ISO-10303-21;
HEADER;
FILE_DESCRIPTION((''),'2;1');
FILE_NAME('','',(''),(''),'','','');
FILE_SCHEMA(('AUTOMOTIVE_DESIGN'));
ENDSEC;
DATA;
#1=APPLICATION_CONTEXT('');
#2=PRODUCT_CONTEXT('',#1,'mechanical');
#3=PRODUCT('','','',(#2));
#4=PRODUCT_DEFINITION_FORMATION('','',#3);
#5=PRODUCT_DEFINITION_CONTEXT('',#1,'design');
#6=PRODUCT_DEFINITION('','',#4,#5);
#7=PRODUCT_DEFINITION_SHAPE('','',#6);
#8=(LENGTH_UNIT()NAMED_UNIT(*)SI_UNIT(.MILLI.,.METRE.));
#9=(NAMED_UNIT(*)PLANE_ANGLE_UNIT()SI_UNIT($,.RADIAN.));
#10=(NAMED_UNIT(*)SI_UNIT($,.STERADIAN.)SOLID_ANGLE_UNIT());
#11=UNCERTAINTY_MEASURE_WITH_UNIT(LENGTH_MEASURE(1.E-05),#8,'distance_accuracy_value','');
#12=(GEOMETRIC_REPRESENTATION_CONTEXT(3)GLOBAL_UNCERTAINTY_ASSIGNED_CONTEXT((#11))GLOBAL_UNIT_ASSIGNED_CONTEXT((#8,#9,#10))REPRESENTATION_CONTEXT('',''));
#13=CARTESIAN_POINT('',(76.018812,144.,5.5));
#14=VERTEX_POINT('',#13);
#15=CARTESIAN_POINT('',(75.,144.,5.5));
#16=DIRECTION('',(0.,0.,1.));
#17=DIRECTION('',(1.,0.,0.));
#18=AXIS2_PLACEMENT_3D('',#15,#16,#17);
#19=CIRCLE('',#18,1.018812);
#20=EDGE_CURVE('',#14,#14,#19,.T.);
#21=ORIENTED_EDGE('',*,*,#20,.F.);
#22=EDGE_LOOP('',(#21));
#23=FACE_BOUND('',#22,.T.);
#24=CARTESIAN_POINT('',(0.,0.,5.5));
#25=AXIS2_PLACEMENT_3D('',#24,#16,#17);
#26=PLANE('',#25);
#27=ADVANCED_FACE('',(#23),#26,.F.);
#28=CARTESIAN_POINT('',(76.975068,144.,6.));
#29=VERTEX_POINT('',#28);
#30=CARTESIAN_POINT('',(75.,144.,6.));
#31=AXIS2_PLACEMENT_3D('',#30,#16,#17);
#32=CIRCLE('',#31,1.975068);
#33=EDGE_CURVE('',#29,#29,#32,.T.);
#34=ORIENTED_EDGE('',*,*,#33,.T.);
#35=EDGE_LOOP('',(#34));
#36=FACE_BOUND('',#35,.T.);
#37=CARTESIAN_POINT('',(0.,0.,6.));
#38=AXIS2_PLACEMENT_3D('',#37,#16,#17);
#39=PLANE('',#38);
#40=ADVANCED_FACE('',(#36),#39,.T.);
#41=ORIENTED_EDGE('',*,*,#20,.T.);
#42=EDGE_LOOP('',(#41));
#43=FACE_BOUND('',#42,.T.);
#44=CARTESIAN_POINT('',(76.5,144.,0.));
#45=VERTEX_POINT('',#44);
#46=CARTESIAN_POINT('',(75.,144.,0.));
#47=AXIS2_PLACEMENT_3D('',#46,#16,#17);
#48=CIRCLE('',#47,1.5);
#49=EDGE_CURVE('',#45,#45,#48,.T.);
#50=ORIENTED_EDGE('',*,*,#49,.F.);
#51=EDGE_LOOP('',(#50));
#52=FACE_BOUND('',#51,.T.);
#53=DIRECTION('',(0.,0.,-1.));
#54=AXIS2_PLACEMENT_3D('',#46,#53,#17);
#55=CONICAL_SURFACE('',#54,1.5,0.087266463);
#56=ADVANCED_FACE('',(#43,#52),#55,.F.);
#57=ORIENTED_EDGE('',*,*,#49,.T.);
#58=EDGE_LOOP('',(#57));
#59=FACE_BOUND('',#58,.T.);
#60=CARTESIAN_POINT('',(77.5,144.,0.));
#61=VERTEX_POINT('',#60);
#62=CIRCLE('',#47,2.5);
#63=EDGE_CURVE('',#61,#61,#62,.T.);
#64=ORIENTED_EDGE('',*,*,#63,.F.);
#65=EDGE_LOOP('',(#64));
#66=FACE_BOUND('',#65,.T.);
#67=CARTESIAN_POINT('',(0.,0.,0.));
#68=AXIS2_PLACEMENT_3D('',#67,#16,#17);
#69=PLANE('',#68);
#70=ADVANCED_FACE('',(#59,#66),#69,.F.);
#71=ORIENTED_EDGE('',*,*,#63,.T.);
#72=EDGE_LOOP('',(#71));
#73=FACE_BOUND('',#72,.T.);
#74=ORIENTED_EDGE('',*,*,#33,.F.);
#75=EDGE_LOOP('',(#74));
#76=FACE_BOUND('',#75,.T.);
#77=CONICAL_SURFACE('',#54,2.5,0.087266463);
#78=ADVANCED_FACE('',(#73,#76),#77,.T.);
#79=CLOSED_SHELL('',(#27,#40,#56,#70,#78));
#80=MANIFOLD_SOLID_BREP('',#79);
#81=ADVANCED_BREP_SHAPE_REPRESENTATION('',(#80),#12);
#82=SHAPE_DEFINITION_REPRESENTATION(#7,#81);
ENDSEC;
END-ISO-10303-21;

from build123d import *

# Parameters (mm, degrees)
CROQUIS2_R              = 2.5
SALIENTE_EXTRUIR1_DEPTH = 6
SALIENTE_EXTRUIR1_TAPER = 5
CROQUIS2_3_R            = 1.5
CORTAR_EXTRUIR1_DEPTH   = 5.5
CORTAR_EXTRUIR1_TAPER   = 5


with BuildPart() as part:
    # Croquis2 → Saliente-Extruir1 (new body)
    with BuildSketch(Plane.XY):
        with Locations((75, 144)):
            Circle(CROQUIS2_R)
    extrude(amount=SALIENTE_EXTRUIR1_DEPTH, taper=SALIENTE_EXTRUIR1_TAPER)

    # Croquis2<3> → Cortar-Extruir1 (cut)
    with BuildSketch(Plane.XY):
        with Locations((75, 144)):
            Circle(CROQUIS2_3_R)
    extrude(amount=CORTAR_EXTRUIR1_DEPTH, taper=CORTAR_EXTRUIR1_TAPER, mode=Mode.SUBTRACT)


solid = part.part
